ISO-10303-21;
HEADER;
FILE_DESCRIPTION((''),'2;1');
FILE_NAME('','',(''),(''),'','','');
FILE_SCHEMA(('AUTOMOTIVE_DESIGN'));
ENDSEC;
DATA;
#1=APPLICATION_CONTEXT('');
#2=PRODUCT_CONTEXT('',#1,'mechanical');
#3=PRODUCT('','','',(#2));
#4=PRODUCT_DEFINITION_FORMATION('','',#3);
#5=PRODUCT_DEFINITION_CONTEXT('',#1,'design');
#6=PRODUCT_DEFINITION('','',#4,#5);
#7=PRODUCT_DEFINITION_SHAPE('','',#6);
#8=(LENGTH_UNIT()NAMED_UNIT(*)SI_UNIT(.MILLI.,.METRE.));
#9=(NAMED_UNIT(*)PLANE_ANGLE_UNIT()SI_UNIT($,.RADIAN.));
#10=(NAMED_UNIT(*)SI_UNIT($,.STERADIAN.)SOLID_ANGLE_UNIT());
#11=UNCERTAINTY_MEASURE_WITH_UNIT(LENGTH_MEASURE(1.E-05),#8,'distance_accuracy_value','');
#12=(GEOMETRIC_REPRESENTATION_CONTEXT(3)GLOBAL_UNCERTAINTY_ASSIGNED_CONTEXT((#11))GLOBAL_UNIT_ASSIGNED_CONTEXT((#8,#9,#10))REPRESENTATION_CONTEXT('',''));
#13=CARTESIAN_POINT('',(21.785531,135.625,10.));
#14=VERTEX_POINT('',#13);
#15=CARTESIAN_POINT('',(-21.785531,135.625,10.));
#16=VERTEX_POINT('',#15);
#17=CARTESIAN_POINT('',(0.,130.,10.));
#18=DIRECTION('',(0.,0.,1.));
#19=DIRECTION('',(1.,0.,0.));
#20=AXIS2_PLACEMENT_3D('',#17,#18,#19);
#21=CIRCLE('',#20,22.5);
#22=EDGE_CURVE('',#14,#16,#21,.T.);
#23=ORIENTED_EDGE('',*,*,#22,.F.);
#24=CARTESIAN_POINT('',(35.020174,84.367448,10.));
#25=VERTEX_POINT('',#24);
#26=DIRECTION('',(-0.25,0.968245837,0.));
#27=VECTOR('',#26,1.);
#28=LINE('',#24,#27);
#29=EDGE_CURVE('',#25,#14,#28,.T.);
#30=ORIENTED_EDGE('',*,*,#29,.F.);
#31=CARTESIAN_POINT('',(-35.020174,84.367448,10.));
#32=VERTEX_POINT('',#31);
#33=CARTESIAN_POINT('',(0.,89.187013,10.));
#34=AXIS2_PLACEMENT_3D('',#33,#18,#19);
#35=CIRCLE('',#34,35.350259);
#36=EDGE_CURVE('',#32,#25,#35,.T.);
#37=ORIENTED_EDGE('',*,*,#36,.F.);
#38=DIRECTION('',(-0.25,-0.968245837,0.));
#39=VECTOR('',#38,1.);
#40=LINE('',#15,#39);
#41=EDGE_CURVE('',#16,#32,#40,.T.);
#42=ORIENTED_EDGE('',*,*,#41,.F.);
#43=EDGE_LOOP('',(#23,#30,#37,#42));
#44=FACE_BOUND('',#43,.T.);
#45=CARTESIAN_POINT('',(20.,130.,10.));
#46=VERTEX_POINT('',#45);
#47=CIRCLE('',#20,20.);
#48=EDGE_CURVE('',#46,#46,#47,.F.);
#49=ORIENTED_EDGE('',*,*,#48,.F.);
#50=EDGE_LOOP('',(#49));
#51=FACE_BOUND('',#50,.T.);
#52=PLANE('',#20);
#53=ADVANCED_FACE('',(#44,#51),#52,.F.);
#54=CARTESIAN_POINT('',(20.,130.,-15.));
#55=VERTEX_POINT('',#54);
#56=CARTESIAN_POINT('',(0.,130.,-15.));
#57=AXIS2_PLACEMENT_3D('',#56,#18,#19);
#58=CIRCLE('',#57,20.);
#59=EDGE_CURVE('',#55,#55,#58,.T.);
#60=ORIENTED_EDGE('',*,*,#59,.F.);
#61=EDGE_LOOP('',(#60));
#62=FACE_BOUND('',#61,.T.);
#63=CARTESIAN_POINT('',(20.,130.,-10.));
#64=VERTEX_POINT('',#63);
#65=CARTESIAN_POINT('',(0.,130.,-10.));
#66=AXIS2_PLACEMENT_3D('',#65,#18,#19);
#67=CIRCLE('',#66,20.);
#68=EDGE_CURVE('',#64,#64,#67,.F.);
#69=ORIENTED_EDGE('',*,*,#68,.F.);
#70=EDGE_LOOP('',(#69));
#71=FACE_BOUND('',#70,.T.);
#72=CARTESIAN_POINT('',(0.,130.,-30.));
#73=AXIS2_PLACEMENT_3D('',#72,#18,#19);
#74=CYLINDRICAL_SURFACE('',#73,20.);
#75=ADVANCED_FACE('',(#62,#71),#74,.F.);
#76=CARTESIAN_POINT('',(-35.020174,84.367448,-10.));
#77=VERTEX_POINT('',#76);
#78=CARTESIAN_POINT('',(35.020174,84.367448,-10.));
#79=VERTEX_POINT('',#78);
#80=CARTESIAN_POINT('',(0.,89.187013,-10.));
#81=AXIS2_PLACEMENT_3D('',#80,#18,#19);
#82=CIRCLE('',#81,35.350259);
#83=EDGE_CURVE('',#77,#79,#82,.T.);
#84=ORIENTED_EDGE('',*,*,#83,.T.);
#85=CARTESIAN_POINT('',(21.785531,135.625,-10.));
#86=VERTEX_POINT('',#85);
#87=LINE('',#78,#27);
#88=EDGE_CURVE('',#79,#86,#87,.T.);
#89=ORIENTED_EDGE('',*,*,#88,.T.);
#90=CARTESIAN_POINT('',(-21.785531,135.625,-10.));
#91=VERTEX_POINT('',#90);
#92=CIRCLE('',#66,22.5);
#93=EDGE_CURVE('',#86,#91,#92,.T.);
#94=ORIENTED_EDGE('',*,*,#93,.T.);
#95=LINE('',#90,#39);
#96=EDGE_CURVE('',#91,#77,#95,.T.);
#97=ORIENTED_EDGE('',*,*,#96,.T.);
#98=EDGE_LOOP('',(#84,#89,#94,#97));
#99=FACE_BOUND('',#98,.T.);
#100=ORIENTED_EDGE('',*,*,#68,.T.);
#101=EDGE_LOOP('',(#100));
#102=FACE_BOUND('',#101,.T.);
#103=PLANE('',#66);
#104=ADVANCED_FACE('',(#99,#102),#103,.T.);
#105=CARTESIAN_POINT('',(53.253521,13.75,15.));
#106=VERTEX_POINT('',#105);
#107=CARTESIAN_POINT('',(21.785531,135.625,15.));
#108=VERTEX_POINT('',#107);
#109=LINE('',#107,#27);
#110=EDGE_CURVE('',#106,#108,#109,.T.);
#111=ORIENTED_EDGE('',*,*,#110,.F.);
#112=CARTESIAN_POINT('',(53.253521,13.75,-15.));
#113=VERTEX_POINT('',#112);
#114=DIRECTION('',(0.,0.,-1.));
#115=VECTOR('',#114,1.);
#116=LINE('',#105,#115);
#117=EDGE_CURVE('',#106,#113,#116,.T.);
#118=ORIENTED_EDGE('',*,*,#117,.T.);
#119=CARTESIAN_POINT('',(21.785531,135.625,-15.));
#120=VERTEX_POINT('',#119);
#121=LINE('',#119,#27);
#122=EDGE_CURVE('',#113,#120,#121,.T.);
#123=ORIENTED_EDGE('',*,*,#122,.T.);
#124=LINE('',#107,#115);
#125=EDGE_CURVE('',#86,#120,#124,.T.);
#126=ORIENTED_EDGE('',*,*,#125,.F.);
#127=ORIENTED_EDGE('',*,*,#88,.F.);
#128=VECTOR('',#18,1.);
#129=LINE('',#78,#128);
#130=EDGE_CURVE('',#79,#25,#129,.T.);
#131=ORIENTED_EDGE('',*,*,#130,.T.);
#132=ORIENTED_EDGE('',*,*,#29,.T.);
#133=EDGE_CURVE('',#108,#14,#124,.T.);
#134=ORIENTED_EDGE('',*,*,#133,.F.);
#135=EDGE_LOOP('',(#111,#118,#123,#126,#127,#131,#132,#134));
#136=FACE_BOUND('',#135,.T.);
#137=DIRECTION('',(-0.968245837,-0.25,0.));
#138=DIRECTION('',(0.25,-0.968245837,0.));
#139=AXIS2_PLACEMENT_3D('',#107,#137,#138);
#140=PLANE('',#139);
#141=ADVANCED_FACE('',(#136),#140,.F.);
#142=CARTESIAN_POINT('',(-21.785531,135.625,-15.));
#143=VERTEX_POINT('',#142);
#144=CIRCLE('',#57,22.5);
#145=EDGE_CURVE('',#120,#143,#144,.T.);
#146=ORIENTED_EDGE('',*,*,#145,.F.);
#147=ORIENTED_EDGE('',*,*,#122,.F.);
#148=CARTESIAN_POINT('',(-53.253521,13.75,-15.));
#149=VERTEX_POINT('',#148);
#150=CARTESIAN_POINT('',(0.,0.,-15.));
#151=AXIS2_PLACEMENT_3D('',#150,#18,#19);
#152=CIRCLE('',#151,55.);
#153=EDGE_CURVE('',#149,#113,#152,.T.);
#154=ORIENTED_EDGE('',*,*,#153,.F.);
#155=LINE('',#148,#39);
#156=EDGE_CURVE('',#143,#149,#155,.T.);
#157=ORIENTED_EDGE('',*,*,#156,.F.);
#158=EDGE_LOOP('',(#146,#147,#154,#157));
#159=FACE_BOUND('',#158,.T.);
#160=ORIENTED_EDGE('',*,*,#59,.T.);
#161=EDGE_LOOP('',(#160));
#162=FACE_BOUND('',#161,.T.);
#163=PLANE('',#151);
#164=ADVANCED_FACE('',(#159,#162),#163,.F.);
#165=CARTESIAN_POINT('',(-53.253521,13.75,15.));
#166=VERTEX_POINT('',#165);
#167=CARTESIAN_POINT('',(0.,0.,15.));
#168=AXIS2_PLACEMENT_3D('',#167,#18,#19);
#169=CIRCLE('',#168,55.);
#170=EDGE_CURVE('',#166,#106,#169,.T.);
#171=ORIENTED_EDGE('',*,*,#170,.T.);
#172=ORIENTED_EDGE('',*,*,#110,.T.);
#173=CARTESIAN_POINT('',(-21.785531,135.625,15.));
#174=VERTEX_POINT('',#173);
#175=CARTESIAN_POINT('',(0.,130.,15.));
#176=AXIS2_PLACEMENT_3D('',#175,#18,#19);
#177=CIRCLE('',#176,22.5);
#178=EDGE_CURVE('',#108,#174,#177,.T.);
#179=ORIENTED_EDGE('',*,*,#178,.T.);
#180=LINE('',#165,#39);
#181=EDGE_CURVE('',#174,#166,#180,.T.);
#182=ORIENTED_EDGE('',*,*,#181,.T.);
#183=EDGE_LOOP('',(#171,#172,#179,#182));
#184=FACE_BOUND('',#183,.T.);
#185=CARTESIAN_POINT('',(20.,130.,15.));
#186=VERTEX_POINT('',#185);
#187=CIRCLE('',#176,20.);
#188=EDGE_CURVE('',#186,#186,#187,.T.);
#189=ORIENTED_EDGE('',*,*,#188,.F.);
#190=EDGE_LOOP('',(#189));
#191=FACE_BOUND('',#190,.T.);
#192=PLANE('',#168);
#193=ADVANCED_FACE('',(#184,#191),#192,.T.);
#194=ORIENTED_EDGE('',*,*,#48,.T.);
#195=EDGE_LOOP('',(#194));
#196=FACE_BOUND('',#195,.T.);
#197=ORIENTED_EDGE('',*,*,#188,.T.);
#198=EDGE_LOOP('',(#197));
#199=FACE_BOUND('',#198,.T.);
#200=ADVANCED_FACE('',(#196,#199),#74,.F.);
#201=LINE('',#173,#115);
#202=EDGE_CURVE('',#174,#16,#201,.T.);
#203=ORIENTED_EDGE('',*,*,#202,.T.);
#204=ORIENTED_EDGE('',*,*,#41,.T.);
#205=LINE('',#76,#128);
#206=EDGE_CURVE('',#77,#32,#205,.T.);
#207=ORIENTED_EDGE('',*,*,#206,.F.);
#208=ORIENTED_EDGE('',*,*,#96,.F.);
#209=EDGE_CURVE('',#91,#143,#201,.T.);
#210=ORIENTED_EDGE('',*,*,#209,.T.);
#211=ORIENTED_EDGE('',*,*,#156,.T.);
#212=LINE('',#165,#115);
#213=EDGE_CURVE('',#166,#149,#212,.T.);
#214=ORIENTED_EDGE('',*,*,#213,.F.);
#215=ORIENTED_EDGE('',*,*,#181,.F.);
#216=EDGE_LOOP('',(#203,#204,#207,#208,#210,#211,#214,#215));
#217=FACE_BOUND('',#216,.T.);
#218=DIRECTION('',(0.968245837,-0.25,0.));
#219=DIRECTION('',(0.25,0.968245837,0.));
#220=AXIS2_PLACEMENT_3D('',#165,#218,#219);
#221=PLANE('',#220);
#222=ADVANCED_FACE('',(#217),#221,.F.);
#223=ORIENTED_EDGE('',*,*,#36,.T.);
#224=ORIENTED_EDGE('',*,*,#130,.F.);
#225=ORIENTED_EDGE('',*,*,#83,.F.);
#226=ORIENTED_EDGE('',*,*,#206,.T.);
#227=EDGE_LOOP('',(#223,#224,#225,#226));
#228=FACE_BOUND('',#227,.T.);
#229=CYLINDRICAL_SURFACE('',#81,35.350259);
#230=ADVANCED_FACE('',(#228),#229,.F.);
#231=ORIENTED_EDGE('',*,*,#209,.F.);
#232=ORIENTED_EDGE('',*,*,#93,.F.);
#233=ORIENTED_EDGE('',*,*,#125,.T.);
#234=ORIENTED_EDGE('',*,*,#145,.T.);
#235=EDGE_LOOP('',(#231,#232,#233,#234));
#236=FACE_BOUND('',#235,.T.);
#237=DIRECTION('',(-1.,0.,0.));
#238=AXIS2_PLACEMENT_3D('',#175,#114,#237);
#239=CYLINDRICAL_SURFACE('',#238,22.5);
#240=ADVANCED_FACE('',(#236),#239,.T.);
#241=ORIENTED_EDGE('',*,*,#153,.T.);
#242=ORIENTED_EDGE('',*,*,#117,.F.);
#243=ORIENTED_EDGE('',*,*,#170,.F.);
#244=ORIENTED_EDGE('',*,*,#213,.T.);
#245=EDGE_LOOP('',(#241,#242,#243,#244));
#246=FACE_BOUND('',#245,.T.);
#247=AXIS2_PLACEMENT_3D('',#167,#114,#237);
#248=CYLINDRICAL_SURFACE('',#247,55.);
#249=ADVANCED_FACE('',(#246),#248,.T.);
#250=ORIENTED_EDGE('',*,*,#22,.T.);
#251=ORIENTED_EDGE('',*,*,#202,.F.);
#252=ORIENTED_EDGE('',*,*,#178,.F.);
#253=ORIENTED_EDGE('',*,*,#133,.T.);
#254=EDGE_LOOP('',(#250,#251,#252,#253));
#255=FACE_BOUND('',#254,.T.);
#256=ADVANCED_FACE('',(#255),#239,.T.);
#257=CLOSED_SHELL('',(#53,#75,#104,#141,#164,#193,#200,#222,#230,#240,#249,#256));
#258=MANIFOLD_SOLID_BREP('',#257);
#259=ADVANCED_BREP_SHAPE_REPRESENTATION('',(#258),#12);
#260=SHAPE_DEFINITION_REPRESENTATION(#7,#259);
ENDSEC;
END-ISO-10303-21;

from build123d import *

# Parameters (mm, degrees)
BOSS_EXTRUDE1_DEPTH = 15
SKETCH2_R           = 20
CUT_EXTRUDE1_DEPTH  = 45
CUT_EXTRUDE2_DEPTH  = 10


with BuildPart() as part:
    # Sketch1 → Boss-Extrude1 (new, symmetric)
    with BuildSketch(Plane.XY):
        with BuildLine():
            Line((-53.25352101, 13.75), (-21.785531322, 135.625))
            ThreePointArc((-21.785531322, 135.625), (0, 152.5), (21.785531322, 135.625))
            Line((21.785531322, 135.625), (53.25352101, 13.75))
            ThreePointArc((53.25352101, 13.75), (0, -55), (-53.25352101, 13.75))
        make_face()
    extrude(amount=BOSS_EXTRUDE1_DEPTH, both=True)

    # Sketch2 → Cut-Extrude1 (cut)
    with BuildSketch(Plane.XY.offset(15)):
        with Locations((0, 130)):
            Circle(SKETCH2_R)
    extrude(amount=-CUT_EXTRUDE1_DEPTH, mode=Mode.SUBTRACT)

    # Sketch4 → Cut-Extrude2 (cut, symmetric)
    with BuildSketch(Plane.XY):
        with BuildLine():
            Line((-21.785531322, 135.625), (-35.020174222, 84.367448459))
            ThreePointArc((-35.020174222, 84.367448459), (0, 53.836754328), (35.020174222, 84.367448459))
            Line((35.020174222, 84.367448459), (21.785531322, 135.625))
            ThreePointArc((21.785531322, 135.625), (0, 152.5), (-21.785531322, 135.625))
        make_face()
    extrude(amount=CUT_EXTRUDE2_DEPTH, both=True, mode=Mode.SUBTRACT)


solid = part.part
